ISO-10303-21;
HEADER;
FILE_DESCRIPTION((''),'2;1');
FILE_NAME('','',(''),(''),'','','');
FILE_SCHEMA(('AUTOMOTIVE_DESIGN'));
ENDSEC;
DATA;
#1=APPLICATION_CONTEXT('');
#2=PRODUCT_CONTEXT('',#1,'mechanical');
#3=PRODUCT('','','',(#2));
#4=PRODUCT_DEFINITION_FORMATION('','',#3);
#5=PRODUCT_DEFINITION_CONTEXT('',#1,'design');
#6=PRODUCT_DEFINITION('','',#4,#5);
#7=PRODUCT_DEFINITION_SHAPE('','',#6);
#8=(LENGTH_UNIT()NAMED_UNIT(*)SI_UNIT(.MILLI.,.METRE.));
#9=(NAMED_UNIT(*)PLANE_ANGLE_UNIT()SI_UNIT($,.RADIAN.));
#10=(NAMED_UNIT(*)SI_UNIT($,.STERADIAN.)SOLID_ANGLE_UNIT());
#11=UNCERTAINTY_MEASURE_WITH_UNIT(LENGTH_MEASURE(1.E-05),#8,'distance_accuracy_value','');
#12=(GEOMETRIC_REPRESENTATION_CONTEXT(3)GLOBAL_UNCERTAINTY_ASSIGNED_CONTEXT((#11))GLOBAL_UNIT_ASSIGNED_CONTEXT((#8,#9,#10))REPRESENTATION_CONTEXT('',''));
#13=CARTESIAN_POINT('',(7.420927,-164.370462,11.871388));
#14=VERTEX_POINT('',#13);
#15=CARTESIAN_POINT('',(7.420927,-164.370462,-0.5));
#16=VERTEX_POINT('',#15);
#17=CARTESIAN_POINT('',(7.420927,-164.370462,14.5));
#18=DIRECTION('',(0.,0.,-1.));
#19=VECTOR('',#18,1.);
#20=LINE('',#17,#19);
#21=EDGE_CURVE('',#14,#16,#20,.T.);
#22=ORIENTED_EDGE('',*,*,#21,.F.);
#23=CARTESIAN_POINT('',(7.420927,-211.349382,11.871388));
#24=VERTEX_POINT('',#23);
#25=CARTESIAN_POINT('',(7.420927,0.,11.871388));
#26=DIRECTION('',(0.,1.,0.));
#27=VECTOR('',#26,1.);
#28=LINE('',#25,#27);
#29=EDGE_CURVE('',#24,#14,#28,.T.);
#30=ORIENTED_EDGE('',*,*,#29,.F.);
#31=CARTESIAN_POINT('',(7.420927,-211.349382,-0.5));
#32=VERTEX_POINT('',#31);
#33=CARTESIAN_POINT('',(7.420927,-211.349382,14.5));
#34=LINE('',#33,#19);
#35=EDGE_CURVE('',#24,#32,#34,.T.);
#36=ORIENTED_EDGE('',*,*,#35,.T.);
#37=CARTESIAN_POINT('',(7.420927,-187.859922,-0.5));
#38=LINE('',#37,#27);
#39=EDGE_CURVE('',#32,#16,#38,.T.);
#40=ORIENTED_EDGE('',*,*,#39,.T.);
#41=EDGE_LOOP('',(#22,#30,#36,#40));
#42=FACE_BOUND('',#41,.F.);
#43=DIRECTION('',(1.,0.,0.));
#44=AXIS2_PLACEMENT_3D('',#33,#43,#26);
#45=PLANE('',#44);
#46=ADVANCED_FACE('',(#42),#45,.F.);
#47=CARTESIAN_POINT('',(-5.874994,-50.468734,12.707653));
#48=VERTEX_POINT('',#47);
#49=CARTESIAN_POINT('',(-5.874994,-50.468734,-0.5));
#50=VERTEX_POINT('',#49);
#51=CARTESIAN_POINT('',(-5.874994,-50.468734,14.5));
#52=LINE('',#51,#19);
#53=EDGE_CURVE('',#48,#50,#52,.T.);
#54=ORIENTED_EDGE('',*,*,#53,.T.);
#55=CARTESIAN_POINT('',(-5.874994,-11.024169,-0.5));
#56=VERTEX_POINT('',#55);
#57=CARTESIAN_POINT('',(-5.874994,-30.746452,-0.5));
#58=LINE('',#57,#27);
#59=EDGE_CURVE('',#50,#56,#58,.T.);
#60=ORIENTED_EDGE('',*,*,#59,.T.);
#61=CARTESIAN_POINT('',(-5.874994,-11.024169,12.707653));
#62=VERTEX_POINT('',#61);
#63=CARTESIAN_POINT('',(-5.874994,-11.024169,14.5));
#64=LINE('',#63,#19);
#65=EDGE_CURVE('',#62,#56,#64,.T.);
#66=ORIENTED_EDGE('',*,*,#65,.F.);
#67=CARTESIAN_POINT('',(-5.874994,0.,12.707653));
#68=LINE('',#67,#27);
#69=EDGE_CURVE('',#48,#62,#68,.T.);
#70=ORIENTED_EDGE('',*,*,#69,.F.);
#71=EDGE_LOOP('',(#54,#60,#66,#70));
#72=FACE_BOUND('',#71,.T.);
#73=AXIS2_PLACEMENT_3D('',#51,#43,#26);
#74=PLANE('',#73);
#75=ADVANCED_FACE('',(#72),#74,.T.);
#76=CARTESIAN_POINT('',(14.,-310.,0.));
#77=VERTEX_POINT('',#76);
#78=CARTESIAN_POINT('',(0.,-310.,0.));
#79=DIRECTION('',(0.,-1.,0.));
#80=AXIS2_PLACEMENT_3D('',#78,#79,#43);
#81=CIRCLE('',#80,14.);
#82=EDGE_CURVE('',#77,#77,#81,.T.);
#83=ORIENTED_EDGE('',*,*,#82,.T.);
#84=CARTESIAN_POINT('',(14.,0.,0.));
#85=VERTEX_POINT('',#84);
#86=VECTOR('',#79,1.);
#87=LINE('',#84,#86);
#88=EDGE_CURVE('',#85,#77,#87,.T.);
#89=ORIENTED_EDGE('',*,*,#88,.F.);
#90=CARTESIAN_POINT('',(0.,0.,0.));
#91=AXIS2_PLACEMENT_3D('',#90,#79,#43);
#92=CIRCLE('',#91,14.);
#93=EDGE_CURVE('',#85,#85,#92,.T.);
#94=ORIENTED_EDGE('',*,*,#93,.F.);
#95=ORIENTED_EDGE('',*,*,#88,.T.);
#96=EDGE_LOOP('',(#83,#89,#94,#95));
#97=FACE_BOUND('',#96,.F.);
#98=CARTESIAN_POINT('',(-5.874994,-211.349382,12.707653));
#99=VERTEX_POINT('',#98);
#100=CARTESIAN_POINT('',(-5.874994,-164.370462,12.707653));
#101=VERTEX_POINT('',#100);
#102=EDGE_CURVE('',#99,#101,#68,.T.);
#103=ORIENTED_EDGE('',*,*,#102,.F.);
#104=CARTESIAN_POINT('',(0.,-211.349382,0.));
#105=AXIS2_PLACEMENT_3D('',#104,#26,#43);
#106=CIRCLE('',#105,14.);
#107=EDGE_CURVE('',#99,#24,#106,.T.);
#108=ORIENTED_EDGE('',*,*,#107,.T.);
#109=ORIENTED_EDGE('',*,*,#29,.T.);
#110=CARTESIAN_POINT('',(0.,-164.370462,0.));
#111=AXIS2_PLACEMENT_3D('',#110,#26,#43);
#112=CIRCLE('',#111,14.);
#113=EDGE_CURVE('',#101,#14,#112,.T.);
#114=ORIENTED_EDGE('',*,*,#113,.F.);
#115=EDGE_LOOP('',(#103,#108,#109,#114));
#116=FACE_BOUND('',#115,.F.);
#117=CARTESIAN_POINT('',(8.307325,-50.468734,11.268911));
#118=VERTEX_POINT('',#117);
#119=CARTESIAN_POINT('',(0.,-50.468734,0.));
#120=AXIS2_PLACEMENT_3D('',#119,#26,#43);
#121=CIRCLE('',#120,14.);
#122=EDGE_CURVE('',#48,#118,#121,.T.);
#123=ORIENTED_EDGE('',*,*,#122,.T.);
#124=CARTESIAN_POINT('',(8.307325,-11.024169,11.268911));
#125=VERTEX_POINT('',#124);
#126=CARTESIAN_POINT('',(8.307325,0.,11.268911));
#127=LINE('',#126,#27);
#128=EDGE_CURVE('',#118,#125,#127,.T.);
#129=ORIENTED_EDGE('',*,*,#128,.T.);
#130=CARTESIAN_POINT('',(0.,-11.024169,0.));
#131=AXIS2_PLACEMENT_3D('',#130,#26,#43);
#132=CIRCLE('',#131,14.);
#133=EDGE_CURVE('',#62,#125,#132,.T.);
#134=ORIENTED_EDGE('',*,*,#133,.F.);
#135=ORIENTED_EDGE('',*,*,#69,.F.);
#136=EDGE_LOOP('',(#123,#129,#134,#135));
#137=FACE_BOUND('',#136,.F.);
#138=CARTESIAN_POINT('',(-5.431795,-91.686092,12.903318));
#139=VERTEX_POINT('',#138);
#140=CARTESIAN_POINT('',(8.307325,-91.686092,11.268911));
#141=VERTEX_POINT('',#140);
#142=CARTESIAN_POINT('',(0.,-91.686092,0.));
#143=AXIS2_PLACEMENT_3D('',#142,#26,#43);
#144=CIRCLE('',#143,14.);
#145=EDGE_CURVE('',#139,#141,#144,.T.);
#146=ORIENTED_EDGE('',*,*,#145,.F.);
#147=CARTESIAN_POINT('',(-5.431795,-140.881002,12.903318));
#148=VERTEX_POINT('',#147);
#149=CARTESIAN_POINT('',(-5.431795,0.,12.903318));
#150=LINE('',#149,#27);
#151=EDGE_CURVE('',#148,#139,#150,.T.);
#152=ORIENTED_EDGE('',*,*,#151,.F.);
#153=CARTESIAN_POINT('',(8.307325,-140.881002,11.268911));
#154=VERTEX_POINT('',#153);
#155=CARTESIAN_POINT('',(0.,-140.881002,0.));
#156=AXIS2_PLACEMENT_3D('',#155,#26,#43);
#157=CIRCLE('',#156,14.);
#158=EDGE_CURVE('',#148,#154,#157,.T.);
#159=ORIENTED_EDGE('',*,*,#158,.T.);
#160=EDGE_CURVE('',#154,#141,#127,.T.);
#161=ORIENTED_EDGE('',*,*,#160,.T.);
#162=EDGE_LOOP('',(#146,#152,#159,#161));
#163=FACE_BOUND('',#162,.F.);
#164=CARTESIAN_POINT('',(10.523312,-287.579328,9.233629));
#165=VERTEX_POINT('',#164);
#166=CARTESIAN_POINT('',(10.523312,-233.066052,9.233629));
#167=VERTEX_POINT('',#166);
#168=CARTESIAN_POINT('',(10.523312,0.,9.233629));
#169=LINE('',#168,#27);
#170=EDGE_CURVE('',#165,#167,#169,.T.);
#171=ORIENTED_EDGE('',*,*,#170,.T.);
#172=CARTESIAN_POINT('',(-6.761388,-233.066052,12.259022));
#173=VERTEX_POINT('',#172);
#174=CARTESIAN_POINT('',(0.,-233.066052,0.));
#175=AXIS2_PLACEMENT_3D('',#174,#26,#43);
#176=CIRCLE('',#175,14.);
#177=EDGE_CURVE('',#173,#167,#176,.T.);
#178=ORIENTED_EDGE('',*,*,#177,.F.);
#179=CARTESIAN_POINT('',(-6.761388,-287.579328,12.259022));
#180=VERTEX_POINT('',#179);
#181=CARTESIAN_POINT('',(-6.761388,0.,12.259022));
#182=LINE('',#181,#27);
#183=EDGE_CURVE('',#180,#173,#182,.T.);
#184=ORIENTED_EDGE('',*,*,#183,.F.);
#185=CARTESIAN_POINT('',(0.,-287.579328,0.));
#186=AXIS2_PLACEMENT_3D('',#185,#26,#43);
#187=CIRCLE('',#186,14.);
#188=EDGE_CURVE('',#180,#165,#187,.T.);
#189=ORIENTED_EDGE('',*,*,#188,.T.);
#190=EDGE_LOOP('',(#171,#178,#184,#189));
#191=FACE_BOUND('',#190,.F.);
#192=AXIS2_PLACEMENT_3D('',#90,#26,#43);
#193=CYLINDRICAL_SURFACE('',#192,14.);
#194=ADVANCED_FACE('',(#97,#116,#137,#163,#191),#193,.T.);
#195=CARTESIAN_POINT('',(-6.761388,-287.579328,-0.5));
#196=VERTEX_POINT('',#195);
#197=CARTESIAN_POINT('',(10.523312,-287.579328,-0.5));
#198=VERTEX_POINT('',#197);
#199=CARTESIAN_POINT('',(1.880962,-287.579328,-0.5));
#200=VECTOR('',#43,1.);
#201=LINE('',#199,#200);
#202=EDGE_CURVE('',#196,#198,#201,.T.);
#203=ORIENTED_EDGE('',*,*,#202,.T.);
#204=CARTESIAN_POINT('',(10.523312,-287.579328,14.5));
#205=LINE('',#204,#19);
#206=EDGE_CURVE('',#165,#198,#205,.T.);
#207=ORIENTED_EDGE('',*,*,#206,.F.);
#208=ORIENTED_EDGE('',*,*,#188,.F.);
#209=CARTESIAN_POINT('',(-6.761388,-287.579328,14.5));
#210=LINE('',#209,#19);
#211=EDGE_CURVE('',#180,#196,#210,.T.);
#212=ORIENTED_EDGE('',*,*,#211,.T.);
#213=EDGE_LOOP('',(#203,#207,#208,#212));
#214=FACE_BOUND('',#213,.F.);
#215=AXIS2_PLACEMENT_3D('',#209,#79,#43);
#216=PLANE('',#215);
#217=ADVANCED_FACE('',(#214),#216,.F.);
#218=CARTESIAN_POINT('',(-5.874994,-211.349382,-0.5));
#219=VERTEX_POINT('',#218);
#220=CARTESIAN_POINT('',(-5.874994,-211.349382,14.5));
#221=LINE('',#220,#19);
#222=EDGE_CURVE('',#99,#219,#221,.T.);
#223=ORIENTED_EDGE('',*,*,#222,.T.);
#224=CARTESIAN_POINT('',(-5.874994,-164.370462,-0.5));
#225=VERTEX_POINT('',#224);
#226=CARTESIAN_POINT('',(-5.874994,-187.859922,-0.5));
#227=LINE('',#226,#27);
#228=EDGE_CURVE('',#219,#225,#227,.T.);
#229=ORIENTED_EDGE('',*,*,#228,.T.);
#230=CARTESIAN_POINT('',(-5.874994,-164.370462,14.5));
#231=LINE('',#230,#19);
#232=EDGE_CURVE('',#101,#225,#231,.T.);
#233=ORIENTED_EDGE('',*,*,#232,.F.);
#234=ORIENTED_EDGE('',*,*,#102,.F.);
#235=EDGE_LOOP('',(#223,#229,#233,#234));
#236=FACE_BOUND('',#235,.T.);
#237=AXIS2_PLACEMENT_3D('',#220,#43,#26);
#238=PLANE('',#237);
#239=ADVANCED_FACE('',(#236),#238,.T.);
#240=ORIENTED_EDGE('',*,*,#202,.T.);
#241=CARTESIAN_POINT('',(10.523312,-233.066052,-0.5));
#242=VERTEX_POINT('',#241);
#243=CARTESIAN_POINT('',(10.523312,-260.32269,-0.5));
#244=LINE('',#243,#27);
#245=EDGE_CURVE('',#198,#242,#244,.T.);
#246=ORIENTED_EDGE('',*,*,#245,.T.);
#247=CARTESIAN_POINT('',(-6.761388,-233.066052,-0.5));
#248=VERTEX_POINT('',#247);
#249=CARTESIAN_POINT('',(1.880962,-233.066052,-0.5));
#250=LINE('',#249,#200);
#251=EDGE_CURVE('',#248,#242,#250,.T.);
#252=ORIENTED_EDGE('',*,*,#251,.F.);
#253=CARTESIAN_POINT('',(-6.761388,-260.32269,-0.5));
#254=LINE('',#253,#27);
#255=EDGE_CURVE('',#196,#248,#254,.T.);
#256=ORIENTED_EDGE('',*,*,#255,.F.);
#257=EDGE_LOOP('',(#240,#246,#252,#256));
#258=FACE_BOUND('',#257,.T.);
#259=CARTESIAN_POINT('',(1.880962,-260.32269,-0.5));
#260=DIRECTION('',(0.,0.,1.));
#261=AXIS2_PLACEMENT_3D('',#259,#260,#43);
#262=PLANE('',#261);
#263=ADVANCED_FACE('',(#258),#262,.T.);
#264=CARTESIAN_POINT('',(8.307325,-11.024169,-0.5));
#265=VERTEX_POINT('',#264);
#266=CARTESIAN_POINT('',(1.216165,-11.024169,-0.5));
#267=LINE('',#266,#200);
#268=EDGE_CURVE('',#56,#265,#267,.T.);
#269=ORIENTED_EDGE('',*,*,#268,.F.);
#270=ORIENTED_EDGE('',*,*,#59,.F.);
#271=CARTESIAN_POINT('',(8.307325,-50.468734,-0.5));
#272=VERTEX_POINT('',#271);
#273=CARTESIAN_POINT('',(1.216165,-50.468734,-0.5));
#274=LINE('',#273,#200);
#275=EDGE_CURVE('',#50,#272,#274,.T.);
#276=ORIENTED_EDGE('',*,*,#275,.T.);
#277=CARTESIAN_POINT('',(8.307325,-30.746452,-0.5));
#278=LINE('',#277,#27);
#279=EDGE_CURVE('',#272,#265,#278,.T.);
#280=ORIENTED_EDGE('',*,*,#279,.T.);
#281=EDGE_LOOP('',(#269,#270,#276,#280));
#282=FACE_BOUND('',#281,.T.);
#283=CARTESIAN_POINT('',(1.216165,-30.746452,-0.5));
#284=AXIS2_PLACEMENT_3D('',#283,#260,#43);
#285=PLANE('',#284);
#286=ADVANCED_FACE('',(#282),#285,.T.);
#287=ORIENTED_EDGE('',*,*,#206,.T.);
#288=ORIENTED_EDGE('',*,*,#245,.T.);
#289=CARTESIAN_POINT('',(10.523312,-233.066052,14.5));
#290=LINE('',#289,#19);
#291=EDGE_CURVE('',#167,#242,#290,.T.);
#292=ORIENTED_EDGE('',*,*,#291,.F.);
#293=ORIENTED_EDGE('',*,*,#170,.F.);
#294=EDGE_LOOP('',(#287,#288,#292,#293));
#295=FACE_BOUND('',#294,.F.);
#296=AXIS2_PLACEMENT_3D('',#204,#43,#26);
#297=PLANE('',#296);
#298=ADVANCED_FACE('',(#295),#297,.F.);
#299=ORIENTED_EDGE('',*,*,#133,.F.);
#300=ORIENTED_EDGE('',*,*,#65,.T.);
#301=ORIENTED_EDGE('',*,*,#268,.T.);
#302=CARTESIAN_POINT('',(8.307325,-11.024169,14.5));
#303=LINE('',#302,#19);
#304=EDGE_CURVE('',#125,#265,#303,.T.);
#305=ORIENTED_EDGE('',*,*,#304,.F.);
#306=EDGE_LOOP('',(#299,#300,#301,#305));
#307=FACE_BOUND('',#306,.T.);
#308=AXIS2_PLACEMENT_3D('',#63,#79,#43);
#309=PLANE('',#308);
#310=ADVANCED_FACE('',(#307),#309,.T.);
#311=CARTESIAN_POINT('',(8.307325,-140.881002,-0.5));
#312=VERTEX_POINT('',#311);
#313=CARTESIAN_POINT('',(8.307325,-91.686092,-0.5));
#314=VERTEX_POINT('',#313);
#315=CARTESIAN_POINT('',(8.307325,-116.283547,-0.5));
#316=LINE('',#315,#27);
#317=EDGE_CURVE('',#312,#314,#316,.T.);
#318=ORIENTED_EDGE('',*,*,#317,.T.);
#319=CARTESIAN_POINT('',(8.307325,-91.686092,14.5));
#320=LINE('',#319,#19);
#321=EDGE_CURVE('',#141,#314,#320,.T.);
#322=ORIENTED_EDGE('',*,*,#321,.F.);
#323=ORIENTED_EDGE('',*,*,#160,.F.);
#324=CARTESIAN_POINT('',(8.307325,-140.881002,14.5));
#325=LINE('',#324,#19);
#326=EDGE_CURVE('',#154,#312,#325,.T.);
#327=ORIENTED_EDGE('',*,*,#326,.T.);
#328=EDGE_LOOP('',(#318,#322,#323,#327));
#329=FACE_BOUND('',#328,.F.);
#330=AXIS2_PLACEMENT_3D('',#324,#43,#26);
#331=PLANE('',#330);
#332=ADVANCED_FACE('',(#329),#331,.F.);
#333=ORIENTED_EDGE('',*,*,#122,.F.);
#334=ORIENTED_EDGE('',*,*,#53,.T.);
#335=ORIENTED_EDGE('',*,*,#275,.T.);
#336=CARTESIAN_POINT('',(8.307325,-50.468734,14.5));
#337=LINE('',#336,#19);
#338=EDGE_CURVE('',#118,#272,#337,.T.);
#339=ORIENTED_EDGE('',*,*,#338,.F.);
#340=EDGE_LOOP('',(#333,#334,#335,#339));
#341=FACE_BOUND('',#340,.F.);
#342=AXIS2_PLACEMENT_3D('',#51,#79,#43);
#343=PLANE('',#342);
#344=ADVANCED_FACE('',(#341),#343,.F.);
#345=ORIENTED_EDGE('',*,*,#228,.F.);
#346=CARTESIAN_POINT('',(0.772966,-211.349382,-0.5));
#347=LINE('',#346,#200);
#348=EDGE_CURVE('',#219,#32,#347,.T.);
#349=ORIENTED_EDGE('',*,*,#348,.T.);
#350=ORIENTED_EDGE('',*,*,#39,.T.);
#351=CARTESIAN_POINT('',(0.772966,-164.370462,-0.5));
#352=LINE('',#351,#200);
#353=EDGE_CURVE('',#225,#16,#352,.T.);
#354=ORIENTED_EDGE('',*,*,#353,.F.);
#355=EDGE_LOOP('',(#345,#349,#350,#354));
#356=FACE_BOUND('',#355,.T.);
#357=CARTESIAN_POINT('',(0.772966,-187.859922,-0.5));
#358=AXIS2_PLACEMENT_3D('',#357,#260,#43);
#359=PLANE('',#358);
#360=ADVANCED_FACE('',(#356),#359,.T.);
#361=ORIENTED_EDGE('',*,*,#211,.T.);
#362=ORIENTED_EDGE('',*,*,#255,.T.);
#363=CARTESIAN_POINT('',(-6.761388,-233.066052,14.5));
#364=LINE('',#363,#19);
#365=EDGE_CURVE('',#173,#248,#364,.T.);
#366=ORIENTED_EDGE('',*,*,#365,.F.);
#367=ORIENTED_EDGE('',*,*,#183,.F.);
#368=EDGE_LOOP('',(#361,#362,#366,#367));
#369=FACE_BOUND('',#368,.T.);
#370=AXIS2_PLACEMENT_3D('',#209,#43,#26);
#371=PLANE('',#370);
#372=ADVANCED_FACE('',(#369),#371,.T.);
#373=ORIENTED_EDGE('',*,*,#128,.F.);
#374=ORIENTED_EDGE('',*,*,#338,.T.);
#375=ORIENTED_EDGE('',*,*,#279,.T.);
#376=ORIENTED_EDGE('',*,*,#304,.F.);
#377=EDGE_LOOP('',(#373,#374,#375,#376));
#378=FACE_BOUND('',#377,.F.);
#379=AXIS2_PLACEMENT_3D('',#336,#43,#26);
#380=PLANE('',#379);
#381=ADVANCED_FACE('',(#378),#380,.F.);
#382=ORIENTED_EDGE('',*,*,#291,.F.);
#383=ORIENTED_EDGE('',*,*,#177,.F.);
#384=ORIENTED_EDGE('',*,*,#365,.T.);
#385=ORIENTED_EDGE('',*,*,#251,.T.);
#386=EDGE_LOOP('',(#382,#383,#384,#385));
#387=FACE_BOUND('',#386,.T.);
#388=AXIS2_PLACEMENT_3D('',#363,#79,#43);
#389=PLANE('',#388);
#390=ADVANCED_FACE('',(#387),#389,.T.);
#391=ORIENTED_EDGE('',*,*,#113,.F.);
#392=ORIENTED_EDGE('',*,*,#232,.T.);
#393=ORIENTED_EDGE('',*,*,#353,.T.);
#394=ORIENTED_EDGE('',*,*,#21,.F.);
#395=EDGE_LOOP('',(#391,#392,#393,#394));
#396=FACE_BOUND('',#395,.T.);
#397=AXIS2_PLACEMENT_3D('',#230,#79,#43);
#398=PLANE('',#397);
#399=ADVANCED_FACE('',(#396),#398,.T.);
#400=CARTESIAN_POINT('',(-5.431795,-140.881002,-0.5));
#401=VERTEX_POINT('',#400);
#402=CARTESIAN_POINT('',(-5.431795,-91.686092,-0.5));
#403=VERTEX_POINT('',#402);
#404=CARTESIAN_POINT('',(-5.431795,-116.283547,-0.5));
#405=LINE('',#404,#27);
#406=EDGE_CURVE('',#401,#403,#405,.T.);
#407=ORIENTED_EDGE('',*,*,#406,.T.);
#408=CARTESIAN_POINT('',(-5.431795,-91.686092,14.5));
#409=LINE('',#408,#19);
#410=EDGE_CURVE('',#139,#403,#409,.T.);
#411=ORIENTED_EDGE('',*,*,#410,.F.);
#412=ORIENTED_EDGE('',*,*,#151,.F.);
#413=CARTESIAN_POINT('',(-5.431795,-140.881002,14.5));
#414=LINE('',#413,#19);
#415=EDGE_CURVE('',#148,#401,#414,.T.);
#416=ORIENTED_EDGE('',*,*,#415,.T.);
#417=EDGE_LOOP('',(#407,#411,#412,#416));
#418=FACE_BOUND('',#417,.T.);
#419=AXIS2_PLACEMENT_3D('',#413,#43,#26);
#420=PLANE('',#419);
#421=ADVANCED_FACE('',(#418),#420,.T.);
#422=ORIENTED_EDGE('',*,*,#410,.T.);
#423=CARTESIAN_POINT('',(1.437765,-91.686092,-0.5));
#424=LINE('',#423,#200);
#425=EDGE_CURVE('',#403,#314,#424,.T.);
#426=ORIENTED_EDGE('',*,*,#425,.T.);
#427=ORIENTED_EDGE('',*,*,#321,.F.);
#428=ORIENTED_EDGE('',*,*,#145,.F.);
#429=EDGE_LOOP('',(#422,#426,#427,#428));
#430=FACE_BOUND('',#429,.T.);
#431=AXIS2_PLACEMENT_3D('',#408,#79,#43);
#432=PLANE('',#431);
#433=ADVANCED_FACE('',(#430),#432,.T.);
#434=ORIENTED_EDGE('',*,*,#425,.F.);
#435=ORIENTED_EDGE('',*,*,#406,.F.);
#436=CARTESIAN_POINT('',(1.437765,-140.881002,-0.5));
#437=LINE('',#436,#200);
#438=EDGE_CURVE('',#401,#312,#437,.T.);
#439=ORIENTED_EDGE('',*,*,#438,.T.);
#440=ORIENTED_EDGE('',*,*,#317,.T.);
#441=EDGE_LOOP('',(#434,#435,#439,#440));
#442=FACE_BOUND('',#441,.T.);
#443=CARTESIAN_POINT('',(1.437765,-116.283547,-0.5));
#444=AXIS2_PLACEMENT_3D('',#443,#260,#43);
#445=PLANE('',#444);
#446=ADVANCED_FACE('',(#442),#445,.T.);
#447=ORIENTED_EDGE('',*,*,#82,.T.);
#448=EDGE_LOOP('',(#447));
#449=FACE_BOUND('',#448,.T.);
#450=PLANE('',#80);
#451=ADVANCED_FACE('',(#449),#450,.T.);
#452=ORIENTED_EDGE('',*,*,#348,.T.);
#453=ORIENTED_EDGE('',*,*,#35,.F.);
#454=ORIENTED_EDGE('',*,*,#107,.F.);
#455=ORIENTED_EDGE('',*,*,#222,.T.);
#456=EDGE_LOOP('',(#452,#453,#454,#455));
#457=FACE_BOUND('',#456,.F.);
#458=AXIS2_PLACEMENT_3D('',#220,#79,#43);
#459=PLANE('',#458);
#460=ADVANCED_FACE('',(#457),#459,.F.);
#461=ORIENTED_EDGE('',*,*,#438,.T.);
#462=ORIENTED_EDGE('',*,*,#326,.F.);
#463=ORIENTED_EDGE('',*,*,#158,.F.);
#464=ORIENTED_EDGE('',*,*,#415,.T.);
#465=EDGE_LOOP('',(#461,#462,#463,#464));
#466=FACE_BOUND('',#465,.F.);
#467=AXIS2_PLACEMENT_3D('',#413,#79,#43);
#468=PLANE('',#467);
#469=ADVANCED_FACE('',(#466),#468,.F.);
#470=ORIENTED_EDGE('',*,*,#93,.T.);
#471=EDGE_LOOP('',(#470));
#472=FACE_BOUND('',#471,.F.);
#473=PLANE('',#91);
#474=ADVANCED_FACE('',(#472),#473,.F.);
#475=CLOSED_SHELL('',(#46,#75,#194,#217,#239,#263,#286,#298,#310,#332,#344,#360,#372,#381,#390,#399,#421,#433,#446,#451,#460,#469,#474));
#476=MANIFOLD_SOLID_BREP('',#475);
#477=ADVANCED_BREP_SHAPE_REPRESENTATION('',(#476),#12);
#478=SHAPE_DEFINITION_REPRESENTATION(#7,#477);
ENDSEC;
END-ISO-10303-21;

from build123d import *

# Parameters (mm, degrees)
F0_R     = 14
F1_DEPTH = 310
F3_W     = 14.182319
F3_H     = 39.444565
F3_W_2   = 13.73912
F3_H_2   = 49.19491
F3_W_3   = 13.295921
F3_H_3   = 46.978921
F3_W_4   = 17.2847
F3_H_4   = 54.513276
F4_DEPTH = 15


with BuildPart() as f1:
    # F0 (on Front) → F1 (new body)
    with BuildSketch(Plane.XZ):
        Circle(F0_R)
    extrude(amount=F1_DEPTH)

    # F3 (on offset) → F4 (cut)
    with BuildSketch(Plane.XY.offset(14.5)):
        with Locations((1.216165, -30.746452)):
            Rectangle(F3_W, F3_H)
        with Locations((1.437765, -116.283547)):
            Rectangle(F3_W_2, F3_H_2)
        with Locations((0.772966, -187.859922)):
            Rectangle(F3_W_3, F3_H_3)
        with Locations((1.880962, -260.32269)):
            Rectangle(F3_W_4, F3_H_4)
    extrude(amount=-F4_DEPTH, mode=Mode.SUBTRACT)


solid = f1.part
